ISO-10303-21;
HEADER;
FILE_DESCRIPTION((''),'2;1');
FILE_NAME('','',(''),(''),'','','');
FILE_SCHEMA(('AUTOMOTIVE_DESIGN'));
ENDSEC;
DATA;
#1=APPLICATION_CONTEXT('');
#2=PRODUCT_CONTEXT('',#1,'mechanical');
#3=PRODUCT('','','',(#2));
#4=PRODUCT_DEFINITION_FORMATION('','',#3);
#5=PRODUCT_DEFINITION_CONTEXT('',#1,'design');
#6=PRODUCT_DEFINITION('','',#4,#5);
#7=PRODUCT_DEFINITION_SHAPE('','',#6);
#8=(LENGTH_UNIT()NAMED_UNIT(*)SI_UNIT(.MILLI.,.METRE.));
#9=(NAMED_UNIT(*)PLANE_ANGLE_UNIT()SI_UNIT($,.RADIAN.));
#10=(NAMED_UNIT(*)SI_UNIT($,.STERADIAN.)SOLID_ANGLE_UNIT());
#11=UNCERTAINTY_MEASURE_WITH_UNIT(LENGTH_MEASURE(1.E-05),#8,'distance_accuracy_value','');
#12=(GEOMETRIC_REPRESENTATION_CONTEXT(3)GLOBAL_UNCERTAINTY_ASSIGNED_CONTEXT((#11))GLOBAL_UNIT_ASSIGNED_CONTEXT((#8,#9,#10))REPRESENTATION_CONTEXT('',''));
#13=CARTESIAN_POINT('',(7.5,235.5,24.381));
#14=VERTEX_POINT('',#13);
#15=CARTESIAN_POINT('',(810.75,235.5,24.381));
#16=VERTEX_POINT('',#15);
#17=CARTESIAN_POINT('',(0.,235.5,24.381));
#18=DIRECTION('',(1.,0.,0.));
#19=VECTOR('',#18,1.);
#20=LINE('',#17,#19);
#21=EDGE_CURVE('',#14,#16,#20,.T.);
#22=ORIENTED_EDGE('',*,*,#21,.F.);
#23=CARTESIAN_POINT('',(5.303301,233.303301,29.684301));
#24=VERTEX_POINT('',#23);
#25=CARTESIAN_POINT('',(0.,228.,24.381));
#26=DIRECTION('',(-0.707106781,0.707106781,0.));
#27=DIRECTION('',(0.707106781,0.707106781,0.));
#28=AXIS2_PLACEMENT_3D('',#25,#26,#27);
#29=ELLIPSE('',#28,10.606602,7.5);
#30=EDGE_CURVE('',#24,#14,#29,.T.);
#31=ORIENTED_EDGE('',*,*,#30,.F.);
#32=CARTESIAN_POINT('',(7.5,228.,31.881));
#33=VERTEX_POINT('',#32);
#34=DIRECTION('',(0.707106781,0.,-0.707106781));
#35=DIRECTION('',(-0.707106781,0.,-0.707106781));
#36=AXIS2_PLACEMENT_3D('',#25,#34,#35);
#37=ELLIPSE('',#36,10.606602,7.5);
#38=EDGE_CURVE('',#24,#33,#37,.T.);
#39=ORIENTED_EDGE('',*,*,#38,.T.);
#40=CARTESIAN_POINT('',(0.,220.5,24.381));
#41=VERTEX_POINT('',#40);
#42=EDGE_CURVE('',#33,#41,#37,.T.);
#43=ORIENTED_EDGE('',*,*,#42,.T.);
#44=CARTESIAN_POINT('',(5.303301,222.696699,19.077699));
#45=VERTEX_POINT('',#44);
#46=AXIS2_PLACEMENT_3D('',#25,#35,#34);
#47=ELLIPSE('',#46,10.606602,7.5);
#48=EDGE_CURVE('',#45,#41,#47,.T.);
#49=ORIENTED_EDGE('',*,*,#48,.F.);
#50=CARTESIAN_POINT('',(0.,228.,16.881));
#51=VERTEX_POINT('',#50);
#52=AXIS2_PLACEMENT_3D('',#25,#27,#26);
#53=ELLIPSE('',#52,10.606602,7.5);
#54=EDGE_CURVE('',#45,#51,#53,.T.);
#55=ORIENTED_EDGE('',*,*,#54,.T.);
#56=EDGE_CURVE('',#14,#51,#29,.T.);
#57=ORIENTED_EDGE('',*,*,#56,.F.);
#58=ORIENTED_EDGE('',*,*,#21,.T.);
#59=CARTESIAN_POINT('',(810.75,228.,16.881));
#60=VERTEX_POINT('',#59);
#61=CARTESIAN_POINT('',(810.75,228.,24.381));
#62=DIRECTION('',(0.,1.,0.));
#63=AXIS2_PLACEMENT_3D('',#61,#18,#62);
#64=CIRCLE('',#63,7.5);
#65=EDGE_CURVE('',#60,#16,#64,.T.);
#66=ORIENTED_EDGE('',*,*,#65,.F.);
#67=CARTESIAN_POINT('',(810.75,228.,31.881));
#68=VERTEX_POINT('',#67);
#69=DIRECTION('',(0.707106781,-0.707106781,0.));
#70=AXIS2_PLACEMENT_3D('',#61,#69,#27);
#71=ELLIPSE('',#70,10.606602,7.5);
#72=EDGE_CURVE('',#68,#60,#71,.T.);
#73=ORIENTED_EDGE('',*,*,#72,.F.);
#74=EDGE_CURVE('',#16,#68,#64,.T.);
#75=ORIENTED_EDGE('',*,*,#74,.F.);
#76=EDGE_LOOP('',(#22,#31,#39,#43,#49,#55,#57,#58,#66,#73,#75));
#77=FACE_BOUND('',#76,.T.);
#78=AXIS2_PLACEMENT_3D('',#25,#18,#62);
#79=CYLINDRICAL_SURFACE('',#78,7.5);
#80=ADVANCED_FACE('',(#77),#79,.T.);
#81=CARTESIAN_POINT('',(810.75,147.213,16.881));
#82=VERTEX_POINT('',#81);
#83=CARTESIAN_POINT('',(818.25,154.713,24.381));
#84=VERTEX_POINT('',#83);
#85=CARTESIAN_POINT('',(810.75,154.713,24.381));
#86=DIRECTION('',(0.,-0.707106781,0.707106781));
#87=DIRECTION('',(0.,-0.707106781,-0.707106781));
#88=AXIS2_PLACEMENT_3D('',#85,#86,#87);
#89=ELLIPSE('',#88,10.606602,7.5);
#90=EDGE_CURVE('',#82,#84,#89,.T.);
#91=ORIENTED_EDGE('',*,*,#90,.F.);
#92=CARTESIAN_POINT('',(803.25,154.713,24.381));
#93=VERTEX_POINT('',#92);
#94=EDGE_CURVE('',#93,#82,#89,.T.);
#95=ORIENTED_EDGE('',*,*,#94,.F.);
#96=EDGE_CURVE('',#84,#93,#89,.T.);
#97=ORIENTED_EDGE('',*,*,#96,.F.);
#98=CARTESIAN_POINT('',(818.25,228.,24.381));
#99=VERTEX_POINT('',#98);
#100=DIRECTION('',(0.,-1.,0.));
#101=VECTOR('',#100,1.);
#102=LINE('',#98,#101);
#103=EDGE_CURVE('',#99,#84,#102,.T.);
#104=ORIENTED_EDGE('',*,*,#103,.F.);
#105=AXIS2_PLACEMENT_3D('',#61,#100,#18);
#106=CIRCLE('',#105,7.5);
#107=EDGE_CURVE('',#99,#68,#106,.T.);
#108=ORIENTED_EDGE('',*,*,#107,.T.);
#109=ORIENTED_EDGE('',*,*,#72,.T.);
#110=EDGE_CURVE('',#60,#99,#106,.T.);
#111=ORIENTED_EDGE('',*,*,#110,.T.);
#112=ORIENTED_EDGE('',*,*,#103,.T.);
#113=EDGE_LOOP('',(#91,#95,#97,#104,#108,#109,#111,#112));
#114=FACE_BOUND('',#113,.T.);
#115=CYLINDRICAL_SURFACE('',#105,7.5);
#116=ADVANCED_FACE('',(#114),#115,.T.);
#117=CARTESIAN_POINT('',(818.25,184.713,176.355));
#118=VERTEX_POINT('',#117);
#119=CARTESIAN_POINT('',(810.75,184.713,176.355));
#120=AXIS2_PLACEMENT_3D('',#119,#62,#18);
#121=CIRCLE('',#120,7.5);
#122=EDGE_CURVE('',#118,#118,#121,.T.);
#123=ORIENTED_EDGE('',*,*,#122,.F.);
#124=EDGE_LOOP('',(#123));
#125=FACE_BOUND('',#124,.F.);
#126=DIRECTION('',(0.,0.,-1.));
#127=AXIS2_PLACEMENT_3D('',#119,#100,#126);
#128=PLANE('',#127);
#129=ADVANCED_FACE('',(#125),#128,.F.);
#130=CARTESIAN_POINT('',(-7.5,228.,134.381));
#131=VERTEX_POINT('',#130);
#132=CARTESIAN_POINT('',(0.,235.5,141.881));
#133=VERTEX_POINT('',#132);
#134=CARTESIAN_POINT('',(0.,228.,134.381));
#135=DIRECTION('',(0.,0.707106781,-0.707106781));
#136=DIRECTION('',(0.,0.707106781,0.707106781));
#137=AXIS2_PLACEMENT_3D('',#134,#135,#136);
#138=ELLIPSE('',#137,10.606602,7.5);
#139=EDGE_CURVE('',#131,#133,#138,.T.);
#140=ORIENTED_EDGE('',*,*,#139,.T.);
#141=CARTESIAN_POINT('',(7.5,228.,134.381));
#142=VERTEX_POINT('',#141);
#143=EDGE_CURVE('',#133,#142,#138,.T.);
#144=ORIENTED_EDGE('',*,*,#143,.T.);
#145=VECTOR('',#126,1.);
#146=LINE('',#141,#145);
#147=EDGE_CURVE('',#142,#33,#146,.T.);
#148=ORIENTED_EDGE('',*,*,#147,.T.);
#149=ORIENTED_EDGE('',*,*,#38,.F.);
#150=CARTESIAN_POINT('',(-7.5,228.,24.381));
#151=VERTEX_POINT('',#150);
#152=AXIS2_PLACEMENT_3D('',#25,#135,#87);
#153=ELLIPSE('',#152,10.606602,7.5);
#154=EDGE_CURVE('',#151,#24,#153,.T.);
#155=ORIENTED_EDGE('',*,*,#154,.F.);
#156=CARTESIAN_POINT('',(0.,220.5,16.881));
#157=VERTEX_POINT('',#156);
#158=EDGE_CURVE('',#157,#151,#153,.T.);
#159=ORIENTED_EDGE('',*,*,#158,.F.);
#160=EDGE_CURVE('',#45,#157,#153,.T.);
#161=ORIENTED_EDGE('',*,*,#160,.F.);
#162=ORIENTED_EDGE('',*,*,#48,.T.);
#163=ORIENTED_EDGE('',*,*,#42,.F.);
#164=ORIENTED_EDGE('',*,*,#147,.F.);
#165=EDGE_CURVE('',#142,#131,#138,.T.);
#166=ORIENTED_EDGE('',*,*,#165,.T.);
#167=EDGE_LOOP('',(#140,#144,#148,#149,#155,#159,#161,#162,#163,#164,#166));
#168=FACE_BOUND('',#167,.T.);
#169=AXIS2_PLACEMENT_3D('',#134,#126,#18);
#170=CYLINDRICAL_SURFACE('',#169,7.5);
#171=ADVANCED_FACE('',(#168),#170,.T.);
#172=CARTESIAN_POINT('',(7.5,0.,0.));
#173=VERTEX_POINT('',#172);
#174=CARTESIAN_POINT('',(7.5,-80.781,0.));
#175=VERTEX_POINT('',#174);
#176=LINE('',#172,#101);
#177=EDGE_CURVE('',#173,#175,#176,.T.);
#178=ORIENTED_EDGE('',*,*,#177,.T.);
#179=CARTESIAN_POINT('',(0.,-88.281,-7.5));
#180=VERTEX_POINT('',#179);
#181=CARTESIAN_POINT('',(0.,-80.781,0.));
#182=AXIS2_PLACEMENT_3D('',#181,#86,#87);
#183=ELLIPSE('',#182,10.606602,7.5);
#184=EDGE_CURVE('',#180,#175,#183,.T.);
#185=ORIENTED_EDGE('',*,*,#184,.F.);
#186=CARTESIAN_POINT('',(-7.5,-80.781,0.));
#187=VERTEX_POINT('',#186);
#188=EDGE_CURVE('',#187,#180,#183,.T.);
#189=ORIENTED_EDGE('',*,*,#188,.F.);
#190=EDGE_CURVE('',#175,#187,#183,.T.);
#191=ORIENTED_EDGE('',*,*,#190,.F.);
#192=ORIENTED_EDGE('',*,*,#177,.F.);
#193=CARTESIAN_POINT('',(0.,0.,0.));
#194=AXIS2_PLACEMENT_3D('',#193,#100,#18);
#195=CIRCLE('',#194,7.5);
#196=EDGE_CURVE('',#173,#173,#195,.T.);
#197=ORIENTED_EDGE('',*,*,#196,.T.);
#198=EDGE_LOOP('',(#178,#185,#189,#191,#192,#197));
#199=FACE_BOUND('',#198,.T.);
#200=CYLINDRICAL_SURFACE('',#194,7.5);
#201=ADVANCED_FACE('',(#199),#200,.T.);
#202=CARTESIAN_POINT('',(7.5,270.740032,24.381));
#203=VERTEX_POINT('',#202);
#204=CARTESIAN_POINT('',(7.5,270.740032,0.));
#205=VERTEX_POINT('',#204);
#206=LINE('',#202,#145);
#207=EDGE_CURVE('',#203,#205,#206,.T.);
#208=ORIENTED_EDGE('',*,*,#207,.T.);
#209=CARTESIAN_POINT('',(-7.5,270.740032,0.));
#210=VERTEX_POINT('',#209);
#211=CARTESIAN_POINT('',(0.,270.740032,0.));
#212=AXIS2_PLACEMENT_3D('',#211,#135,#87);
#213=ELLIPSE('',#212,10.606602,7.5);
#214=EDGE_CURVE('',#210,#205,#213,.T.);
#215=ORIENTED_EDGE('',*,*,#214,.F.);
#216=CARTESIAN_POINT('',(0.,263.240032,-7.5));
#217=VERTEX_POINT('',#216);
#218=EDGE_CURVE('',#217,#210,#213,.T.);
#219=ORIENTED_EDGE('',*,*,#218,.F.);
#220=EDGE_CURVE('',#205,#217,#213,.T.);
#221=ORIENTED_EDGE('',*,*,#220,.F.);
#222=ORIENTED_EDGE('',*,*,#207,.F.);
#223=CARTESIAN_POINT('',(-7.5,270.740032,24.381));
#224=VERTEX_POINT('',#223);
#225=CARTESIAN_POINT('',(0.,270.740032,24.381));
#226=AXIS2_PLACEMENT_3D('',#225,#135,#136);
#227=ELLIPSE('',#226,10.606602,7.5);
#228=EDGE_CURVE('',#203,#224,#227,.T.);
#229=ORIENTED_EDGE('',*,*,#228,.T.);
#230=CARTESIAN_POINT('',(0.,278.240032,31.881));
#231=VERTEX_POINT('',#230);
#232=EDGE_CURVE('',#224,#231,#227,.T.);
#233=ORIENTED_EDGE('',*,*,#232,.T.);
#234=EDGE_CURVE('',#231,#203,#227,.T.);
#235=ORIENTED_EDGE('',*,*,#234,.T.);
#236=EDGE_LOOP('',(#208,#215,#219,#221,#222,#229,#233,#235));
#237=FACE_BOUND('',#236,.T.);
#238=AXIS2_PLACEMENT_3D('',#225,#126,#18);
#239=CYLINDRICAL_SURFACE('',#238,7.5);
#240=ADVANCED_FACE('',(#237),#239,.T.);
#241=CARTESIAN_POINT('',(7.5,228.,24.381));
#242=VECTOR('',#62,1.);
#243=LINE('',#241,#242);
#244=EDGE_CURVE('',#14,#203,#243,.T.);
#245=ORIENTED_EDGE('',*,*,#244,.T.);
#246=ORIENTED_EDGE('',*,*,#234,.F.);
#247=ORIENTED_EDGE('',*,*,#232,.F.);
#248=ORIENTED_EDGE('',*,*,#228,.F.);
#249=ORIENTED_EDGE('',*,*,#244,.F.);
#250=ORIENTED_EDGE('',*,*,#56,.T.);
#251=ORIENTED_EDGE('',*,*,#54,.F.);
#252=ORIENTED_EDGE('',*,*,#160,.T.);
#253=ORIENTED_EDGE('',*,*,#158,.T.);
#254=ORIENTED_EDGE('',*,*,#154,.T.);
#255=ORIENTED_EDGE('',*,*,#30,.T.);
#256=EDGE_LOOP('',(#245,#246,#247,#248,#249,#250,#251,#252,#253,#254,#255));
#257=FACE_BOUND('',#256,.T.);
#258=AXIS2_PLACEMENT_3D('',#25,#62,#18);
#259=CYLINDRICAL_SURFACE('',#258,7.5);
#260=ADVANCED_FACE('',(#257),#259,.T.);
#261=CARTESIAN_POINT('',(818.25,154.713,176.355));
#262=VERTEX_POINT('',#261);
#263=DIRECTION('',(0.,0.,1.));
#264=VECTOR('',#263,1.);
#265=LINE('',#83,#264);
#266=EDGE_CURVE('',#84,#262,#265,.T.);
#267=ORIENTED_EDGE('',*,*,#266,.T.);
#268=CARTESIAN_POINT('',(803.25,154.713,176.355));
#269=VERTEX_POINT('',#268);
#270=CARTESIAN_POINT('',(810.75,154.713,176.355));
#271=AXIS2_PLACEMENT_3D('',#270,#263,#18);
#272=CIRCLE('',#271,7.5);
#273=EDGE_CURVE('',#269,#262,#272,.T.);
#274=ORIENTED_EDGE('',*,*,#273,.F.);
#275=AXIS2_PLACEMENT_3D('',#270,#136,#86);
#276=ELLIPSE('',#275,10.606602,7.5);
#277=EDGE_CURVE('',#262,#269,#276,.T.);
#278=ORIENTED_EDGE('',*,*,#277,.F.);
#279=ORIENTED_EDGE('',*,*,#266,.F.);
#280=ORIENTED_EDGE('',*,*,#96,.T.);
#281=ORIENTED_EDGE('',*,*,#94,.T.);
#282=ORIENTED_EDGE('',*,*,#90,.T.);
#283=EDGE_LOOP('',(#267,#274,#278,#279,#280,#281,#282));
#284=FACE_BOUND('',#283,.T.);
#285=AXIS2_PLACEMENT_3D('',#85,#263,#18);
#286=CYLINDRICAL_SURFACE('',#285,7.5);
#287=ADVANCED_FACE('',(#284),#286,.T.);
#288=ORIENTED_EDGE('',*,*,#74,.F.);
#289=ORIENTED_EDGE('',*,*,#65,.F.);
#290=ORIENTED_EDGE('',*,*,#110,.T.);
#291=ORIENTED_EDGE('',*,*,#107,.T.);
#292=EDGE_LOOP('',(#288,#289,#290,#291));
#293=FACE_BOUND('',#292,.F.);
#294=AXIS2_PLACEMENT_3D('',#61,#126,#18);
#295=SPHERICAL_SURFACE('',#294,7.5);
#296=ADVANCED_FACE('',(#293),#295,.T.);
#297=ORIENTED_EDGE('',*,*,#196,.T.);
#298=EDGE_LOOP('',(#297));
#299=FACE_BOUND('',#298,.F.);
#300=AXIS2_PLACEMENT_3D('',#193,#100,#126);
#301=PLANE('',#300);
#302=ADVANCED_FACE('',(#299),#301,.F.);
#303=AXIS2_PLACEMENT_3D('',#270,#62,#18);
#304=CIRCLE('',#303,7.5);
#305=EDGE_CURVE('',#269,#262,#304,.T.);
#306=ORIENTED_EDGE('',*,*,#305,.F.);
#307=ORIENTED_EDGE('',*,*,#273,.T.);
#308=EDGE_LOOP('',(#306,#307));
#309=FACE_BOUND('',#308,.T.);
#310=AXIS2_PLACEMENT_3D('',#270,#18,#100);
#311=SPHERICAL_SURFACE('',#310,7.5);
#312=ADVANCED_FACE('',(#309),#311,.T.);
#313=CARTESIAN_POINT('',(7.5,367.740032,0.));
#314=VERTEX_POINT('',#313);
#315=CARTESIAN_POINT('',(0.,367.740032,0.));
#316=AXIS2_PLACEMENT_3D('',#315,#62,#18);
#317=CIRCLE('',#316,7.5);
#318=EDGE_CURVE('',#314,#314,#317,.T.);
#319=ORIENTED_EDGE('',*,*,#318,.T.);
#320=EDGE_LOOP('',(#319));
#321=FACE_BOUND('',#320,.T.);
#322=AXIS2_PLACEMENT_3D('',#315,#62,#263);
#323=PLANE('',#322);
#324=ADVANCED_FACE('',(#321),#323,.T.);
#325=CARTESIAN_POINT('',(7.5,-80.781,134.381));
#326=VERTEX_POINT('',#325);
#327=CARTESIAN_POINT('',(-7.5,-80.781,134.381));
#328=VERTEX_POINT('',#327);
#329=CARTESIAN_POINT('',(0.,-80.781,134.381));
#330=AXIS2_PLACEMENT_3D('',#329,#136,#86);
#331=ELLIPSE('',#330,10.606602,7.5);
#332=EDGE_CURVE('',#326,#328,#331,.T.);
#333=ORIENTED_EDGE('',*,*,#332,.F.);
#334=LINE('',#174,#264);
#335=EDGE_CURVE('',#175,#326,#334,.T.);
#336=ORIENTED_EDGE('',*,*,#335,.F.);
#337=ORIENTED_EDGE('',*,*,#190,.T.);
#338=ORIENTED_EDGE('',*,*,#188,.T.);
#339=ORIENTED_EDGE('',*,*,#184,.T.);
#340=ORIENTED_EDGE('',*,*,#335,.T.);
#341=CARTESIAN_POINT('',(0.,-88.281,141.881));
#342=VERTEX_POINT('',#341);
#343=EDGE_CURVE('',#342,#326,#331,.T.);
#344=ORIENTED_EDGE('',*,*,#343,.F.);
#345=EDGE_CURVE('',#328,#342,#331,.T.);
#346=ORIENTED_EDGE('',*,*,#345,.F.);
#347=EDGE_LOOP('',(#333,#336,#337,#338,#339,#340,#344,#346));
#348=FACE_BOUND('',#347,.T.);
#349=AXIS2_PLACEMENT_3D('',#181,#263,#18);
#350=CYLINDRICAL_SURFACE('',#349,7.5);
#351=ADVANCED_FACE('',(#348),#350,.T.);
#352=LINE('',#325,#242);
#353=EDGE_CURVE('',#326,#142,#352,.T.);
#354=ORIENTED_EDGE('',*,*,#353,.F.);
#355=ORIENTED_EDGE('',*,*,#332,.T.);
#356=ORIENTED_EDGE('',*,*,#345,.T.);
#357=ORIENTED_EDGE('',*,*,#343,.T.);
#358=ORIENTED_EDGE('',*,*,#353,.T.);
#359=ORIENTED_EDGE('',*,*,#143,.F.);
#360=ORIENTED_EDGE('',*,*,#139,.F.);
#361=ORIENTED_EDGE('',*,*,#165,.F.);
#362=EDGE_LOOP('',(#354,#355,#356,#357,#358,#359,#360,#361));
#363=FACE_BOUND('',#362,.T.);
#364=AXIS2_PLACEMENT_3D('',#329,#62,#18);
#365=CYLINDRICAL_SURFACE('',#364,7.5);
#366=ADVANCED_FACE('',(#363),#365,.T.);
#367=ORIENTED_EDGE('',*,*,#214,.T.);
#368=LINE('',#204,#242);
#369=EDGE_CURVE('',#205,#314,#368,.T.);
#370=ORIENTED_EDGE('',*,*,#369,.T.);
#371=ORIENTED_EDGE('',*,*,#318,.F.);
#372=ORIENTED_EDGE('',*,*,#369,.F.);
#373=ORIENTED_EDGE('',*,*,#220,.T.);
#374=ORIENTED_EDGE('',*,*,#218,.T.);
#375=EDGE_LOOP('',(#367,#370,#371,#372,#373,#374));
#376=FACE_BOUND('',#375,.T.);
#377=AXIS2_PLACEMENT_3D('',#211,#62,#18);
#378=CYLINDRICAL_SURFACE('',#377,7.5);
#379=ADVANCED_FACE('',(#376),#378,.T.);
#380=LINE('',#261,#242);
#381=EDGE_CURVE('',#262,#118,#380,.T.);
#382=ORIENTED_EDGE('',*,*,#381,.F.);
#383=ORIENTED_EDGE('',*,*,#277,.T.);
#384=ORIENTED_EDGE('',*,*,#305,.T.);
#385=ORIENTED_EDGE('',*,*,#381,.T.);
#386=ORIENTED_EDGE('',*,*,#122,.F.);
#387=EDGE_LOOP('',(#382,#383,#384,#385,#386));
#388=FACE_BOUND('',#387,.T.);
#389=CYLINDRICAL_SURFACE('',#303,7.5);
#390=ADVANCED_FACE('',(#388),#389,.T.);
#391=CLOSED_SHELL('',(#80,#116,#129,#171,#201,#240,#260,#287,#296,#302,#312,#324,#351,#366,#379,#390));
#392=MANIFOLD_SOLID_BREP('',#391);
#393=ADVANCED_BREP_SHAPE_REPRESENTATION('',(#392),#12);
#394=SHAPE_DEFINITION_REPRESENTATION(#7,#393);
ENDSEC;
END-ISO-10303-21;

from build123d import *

# Parameters (mm, degrees)
F0_R  = 7.5
F3_R  = 7.5
F7_R  = 7.5
F11_R = 7.5


with BuildPart() as f2:
    # F2: sweep along a path in F1
    with BuildLine(Plane.YZ) as f2_path:
        Line((0, 0), (-80.781, 0))
        Line((-80.781, 0), (-80.781, 134.381))
        Line((-80.781, 134.381), (228, 134.381))
        Line((228, 134.381), (228, 24.381))
        Line((228, 24.381), (270.740032196, 24.381))
        Line((270.740032196, 24.381), (270.740032196, 0))
        Line((270.740032196, 0), (367.740032196, 0))
    # F0 (on Front) → F2 (sweep)
    with BuildSketch(Plane.XZ):
        Circle(F0_R)
    sweep(path=f2_path.line, transition=Transition.RIGHT)

    # F5: sweep along a path in F4
    with BuildLine(Plane.XZ) as f5_path:
        Line((0, 0), (810.75, 0))
    # F3 (on Right) → F5 (sweep)
    with BuildSketch(Plane.YZ):
        with Locations((228, 24.381)):
            Circle(F3_R)
    sweep(path=f5_path.line)

    # F9: sweep along a path in F8
    with BuildLine(Plane.YZ) as f9_path:
        Line((228, 24.381), (154.713, 24.381))
        Line((154.713, 24.381), (154.713, 176.355))
    # F7 (on offset) → F9 (sweep)
    with BuildSketch(Plane.XZ.offset(-228)):
        with Locations((810.75, 24.381)):
            Circle(F7_R)
    sweep(path=f9_path.line, transition=Transition.RIGHT)

    # F9_face (on face) → F13 (revolve)
    with BuildSketch(Plane(origin=(813.9330988618, 228, 24.381), x_dir=(-1, 0, 0), z_dir=(0, 1, 0))):
        with BuildLine():
            ThreePointArc((-4.3169011382, 0), (-2.1202019971, -5.3033008589), (3.1830988618, -7.5))
            Line((3.1830988618, -7.5), (3.1830988618, 7.5))
            ThreePointArc((3.1830988618, 7.5), (-2.1202019971, 5.3033008589), (-4.3169011382, 0))
        make_face()
    revolve(axis=Axis((810.75, 228, 24.381), (0, 0, 1)))

    # F14: sweep along a path in F12
    with BuildLine(Plane.XY) as f14_path:
        Line((862, 154.713), (862, 184.713))
    # F11 (on offset) → F14 (sweep)
    with BuildSketch(Plane.XZ.offset(-154.713)):
        with Locations((810.75, 176.355)):
            Circle(F11_R)
    sweep(path=f14_path.line)

    # F9_face1 (on face) → F15 (revolve)
    with BuildSketch(Plane(origin=(810.75, 151.5299011382, 176.355), x_dir=(1, 0, 0), z_dir=(0, 0, 1))):
        with BuildLine():
            ThreePointArc((-7.5, 3.1830988618), (0, -4.3169011382), (7.5, 3.1830988618))
            Line((7.5, 3.1830988618), (-7.5, 3.1830988618))
        make_face()
    revolve(axis=Axis((810.75, 154.713, 176.355), (1, 0, 0)))


solid = f2.part
